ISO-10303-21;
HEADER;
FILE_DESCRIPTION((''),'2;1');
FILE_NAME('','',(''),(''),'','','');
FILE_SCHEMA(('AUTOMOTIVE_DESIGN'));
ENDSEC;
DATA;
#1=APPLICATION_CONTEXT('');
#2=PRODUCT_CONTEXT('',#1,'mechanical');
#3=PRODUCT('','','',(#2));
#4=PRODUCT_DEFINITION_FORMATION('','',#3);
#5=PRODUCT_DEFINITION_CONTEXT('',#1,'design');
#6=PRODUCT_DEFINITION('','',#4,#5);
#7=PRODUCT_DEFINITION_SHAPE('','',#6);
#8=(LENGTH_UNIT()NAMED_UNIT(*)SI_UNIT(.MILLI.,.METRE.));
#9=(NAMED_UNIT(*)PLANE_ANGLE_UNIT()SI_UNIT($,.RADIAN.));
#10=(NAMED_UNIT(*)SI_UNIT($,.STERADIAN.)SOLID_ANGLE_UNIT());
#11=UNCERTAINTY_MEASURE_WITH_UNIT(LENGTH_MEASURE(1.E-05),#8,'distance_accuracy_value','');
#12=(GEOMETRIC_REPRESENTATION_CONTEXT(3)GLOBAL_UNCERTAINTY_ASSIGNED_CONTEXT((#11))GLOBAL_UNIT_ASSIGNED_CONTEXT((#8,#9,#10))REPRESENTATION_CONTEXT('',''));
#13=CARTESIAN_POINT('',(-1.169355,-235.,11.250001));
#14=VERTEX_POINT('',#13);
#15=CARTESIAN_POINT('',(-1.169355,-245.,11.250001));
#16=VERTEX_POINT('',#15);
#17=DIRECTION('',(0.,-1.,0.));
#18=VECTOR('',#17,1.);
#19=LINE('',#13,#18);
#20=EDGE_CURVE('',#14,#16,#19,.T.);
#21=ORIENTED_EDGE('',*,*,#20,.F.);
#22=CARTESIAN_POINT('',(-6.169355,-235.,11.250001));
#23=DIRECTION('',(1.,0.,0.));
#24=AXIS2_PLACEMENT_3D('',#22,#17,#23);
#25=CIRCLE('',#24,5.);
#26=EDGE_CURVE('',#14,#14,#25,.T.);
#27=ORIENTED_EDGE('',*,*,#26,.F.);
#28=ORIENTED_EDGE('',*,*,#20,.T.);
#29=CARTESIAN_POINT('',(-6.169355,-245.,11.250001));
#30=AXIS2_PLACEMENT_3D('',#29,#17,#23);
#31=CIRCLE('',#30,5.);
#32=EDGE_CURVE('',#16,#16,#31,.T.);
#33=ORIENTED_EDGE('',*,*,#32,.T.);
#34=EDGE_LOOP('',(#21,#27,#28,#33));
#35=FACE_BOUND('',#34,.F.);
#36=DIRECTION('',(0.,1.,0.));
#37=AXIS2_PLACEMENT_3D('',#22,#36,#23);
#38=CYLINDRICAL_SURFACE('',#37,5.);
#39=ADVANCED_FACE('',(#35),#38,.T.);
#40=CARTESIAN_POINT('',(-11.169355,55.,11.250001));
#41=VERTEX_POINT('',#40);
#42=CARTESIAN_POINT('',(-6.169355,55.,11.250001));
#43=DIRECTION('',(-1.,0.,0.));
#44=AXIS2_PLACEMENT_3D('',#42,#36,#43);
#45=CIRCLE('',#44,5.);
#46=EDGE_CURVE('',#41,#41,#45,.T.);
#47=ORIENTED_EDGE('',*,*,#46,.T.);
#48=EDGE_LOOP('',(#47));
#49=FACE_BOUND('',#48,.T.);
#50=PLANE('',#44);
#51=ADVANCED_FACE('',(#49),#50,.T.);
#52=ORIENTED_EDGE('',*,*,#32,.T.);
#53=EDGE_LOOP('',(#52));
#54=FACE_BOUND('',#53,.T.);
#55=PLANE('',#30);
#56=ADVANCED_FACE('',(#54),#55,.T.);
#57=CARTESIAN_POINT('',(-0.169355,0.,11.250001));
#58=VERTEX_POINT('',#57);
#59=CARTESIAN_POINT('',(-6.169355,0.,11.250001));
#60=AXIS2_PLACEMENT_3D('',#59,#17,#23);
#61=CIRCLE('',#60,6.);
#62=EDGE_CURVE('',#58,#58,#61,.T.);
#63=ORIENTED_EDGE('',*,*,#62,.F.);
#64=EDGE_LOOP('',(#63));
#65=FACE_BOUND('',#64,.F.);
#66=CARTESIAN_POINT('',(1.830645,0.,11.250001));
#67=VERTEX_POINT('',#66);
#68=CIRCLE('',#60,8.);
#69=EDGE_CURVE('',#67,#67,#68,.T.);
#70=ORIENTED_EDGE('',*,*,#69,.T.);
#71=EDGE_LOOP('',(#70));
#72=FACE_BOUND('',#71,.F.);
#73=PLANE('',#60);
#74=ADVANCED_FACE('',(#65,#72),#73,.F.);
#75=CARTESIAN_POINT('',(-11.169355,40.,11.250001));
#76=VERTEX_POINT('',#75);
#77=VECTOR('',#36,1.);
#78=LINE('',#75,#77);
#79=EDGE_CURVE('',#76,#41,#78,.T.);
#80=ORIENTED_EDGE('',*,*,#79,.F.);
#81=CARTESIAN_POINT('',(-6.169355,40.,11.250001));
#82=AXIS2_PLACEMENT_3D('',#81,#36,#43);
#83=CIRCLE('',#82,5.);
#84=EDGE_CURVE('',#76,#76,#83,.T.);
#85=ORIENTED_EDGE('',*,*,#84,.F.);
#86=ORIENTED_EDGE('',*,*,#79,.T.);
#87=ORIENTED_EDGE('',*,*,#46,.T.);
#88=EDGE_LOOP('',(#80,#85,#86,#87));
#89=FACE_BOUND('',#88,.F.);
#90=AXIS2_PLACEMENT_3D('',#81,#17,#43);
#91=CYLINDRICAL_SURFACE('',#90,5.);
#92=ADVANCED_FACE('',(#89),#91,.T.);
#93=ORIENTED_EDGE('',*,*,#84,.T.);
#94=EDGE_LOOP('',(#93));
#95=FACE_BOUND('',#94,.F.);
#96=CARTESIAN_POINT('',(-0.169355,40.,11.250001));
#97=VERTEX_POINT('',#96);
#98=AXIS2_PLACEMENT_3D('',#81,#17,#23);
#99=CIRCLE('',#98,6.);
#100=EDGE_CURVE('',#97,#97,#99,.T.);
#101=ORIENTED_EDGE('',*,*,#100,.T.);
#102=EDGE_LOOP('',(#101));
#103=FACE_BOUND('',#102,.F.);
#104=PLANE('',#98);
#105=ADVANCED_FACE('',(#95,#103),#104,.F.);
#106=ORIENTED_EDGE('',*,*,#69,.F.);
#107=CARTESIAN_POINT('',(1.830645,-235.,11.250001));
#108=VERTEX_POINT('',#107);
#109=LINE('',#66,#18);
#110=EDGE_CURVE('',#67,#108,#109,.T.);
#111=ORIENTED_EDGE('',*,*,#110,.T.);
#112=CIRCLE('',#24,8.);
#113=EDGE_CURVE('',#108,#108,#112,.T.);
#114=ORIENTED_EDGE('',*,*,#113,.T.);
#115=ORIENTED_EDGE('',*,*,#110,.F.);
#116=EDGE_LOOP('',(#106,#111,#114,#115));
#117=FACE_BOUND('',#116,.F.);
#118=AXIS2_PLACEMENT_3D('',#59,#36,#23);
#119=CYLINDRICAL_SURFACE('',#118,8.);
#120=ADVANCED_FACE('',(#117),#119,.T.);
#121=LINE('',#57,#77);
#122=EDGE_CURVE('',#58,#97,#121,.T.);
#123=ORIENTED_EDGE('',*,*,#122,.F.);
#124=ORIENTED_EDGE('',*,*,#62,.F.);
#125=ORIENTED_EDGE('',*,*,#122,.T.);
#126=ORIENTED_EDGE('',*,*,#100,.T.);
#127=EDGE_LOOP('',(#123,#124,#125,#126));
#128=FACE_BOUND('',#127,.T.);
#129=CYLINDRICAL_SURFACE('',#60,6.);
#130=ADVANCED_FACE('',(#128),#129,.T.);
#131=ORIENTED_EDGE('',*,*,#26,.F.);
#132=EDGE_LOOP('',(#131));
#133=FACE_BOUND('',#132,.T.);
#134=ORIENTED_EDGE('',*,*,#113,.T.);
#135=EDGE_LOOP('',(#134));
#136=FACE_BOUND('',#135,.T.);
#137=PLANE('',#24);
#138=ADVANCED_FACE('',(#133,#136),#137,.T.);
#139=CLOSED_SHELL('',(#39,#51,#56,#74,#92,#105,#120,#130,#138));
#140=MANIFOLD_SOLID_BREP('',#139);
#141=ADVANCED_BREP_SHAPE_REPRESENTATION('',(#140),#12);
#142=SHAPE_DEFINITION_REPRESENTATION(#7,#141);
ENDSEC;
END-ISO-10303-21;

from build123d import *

# Parameters (mm, degrees)
F0_R     = 8
F0_R_2   = 6
F0_R_3   = 5
F1_DEPTH = 235
F2_DEPTH = 40
F3_R     = 5
F4_DEPTH = 15
F5_R     = 5
F6_DEPTH = 10


with BuildPart() as f1:
    # F0 (on Front) → F1 (new body)
    with BuildSketch(Plane.XZ):
        with Locations((-6.1693550088, 11.2500013784)):
            Circle(F0_R)
        with Locations((-6.1693550088, 11.2500013784)):
            Circle(F0_R_2, mode=Mode.SUBTRACT)
        with Locations((-6.1693550088, 11.2500013784)):
            Circle(F0_R_2)
        with Locations((-6.1693550088, 11.2500013784)):
            Circle(F0_R_3, mode=Mode.SUBTRACT)
        with Locations((-6.1693550088, 11.2500013784)):
            Circle(F0_R_3)
    extrude(amount=F1_DEPTH)

    # F0 (on Front) → F2 (join)
    with BuildSketch(Plane.XZ):
        with Locations((-6.1693550088, 11.2500013784)):
            Circle(F0_R_2)
        with Locations((-6.1693550088, 11.2500013784)):
            Circle(F0_R_3, mode=Mode.SUBTRACT)
        with Locations((-6.1693550088, 11.2500013784)):
            Circle(F0_R_3)
    extrude(amount=-F2_DEPTH)

    # F3 (on face) → F4 (join)
    with BuildSketch(Plane(origin=(0, 40, 0), x_dir=(-1, 0, 0), z_dir=(0, 1, 0))):
        with Locations((6.1693550088, 11.2500013784)):
            Circle(F3_R)
    extrude(amount=F4_DEPTH)

    # F5 (on face) → F6 (join)
    with BuildSketch(Plane.XZ.offset(235)):
        with Locations((-6.1693550088, 11.2500013784)):
            Circle(F5_R)
    extrude(amount=F6_DEPTH)


solid = f1.part
